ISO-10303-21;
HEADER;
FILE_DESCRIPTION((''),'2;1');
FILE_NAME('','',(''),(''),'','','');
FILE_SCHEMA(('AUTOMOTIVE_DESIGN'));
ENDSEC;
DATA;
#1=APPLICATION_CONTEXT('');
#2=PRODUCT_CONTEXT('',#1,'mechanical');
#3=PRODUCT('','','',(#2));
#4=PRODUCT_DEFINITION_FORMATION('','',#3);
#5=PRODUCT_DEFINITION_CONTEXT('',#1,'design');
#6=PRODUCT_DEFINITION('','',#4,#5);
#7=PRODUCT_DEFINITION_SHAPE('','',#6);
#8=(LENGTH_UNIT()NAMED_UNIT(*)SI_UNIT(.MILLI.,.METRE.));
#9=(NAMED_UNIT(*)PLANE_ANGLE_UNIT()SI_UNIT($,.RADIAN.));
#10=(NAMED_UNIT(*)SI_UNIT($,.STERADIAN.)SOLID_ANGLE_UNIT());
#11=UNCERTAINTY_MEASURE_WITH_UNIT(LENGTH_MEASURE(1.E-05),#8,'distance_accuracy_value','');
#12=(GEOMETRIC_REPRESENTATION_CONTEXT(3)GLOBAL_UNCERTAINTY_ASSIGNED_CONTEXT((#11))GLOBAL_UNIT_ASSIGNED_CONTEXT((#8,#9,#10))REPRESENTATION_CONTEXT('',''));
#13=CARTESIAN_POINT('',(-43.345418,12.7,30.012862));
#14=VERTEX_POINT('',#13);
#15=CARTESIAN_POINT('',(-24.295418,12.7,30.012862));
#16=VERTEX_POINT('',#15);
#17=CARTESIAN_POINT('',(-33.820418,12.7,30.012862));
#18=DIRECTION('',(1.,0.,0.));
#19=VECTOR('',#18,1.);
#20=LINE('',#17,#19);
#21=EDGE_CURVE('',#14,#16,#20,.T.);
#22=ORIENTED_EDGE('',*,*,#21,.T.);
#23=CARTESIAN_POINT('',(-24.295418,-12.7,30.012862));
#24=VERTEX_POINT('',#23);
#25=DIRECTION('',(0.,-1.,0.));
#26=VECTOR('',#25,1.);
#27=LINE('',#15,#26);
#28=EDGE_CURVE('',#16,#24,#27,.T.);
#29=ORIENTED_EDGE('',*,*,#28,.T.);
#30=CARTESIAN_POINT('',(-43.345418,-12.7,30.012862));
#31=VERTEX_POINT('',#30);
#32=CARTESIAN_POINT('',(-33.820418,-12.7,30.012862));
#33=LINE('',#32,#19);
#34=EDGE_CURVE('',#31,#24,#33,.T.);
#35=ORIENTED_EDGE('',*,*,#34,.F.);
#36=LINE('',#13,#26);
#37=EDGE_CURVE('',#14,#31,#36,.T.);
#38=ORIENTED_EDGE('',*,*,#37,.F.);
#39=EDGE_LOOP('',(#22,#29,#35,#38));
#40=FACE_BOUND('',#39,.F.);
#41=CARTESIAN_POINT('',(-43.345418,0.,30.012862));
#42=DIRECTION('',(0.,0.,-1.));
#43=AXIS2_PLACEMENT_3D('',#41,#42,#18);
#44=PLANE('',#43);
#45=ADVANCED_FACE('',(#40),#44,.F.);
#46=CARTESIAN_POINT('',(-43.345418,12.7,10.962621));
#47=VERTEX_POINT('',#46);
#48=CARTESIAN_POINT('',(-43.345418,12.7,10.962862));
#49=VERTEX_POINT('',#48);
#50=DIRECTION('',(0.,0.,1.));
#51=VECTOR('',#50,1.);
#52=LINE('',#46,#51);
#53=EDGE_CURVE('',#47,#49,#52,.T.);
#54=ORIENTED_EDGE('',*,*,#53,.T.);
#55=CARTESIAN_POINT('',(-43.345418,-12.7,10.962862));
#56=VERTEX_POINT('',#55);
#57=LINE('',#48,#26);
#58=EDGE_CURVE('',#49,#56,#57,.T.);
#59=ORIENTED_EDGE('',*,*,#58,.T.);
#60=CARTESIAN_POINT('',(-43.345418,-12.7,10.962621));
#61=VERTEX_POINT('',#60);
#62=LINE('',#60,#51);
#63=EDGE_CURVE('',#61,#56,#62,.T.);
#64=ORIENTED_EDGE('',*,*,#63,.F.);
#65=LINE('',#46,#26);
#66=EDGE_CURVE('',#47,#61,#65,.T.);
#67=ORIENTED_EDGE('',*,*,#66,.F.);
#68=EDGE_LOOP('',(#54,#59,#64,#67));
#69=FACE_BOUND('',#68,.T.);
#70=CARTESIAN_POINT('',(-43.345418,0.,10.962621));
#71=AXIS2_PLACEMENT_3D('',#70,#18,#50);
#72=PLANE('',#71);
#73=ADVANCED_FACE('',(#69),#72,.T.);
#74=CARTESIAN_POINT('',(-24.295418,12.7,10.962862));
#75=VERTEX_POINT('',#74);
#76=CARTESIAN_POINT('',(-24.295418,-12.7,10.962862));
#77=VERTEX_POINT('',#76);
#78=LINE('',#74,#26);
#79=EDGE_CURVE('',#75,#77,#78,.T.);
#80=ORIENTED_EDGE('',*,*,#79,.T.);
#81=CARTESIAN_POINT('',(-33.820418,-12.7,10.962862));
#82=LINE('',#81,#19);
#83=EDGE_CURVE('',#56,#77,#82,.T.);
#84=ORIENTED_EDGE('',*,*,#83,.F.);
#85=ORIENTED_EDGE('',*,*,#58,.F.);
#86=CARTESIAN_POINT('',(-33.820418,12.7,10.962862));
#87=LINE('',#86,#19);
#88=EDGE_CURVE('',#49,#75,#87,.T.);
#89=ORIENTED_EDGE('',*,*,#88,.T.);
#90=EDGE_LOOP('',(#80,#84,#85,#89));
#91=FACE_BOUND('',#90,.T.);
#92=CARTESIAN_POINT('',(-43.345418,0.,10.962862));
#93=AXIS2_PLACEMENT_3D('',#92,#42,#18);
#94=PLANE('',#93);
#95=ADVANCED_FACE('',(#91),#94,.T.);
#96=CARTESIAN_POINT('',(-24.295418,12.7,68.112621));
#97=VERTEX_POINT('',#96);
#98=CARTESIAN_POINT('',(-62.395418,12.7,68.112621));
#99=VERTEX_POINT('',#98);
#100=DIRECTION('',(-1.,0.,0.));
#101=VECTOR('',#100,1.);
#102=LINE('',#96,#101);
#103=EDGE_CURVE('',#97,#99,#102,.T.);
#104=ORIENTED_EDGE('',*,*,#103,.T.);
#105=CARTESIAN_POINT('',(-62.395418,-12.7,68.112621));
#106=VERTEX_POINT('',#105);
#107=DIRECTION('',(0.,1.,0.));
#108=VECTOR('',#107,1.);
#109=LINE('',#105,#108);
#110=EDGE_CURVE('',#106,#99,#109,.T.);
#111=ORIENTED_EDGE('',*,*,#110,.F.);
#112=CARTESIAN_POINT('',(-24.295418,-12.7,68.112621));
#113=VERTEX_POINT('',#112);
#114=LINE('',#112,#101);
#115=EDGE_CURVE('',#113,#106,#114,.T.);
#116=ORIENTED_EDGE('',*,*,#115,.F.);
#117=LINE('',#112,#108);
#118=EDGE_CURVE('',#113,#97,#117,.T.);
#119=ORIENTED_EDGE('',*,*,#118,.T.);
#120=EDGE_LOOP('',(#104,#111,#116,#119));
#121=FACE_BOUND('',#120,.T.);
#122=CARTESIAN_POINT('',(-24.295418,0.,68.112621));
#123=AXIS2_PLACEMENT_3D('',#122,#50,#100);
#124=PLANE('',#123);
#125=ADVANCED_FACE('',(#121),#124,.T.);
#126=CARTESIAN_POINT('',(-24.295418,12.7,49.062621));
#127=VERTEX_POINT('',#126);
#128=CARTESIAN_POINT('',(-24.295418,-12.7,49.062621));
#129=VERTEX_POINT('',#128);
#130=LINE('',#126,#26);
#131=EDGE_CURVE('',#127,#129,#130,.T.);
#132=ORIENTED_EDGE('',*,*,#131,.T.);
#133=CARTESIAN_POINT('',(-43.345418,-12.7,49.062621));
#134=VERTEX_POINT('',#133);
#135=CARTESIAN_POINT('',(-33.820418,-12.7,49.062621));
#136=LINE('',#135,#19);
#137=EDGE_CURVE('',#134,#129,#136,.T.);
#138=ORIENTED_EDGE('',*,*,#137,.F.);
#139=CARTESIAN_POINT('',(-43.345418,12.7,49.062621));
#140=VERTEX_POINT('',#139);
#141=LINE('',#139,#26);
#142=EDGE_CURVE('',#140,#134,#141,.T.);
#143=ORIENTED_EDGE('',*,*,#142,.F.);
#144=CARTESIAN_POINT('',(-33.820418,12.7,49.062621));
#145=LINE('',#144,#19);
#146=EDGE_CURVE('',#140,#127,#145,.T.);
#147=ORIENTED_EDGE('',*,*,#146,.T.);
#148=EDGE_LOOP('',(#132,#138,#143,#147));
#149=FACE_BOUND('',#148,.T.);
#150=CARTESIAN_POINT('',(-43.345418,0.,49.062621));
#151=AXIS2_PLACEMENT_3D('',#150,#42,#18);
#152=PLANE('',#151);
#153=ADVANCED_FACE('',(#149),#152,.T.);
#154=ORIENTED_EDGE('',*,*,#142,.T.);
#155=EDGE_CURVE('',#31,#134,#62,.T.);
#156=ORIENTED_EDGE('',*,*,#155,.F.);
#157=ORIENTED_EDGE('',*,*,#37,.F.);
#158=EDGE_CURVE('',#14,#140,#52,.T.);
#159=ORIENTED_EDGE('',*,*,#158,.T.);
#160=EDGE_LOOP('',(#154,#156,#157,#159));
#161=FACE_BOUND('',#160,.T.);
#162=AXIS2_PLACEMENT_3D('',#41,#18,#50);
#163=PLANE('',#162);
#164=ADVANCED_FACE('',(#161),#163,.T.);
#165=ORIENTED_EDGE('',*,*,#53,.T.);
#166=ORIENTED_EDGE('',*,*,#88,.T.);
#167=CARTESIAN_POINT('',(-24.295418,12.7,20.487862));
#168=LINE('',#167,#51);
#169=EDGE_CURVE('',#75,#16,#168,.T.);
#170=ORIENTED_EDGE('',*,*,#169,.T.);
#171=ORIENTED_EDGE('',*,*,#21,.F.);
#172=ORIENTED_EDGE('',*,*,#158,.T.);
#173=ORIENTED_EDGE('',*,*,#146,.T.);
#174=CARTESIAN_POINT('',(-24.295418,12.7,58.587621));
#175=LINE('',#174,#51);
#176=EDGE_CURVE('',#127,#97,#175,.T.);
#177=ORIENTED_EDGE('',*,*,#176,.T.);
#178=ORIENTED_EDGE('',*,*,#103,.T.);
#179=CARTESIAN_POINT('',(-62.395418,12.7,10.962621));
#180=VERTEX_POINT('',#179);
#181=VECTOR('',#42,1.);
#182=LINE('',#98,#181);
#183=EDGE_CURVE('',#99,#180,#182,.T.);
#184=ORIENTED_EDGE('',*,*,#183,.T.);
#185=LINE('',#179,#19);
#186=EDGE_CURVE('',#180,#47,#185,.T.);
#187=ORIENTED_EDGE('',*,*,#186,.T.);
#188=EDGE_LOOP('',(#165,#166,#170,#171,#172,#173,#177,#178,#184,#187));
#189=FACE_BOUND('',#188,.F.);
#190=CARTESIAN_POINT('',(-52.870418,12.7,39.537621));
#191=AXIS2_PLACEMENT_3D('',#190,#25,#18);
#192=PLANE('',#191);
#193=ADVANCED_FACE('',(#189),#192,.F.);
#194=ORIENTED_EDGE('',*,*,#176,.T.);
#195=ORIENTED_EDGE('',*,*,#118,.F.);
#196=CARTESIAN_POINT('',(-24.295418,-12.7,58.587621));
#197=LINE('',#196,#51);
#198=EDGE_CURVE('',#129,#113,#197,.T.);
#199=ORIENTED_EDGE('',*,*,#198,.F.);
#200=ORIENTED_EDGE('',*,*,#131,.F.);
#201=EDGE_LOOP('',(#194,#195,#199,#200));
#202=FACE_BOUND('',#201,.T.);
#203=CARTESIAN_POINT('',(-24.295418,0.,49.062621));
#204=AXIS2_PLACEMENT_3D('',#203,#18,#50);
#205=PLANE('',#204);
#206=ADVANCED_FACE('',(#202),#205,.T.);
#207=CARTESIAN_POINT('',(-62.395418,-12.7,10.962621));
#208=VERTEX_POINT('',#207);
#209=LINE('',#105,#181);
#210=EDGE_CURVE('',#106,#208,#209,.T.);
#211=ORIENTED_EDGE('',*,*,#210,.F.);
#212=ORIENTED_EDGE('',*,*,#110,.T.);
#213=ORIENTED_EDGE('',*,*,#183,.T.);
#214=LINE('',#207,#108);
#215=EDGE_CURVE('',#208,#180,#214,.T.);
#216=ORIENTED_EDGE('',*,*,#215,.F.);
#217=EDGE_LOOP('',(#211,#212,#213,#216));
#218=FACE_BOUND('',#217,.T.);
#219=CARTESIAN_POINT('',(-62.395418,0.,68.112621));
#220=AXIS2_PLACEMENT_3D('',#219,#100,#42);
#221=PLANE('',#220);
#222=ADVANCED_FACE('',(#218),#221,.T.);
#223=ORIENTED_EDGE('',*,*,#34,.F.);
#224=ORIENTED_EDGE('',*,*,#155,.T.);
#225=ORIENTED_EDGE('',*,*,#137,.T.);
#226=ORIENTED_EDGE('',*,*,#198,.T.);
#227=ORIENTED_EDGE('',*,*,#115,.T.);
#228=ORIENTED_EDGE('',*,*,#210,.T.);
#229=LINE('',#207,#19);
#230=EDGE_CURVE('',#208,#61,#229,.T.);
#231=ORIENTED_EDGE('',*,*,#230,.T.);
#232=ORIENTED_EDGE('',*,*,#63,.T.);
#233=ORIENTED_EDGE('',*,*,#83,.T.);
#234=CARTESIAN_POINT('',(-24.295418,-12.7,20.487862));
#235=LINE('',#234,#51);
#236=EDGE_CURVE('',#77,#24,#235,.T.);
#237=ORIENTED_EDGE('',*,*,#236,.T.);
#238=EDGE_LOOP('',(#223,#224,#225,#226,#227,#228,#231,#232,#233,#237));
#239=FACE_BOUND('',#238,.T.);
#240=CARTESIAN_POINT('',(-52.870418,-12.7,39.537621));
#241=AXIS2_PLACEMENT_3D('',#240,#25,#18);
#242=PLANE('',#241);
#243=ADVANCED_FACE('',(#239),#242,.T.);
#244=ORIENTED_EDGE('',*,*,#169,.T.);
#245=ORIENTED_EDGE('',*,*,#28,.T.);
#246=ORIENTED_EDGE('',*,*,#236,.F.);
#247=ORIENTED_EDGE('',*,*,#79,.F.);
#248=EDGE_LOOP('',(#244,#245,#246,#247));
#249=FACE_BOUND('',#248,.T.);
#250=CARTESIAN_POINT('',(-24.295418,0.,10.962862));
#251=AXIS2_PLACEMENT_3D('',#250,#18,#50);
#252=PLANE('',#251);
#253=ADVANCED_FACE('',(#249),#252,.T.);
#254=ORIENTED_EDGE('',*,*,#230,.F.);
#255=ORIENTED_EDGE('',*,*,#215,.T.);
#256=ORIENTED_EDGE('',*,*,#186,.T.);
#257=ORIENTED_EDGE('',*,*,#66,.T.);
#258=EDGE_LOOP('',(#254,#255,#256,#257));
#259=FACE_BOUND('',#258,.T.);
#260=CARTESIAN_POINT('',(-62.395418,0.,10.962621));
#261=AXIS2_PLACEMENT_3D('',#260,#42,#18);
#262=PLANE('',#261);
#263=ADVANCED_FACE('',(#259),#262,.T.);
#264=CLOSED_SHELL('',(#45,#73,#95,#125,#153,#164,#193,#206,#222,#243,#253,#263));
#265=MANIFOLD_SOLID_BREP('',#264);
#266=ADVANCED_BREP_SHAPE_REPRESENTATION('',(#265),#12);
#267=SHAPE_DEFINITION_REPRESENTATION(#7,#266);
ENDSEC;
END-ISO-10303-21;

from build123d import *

# Parameters (mm, degrees)
F0_W     = 19.05
F0_H     = 19.05
F1_DEPTH = 12.7
F2_DEPTH = 12.7


with BuildPart() as f1:
    # F0 (on Front) → F1 (new body, symmetric)
    with BuildSketch(Plane.XZ):
        Polygon((-62.395418, 10.962621), (-43.345418, 10.962621), (-43.345418, 10.962862), (-43.345418, 30.012862), (-43.345418, 49.062621), (-43.345418, 68.112621), (-62.395418, 68.112621), align=None)
        with Locations((-33.820418, 20.487862)):
            Rectangle(F0_W, F0_H)
        with Locations((-33.820418, 58.587621)):
            Rectangle(F0_W, F0_H)
    extrude(amount=F1_DEPTH, both=True)

    # F0 (on Front) → F2 (join, symmetric)
    with BuildSketch(Plane.XZ):
        Polygon((-62.395418, 10.962621), (-43.345418, 10.962621), (-43.345418, 10.962862), (-43.345418, 30.012862), (-43.345418, 49.062621), (-43.345418, 68.112621), (-62.395418, 68.112621), align=None)
        with Locations((-33.820418, 20.487862)):
            Rectangle(F0_W, F0_H)
        with Locations((-33.820418, 58.587621)):
            Rectangle(F0_W, F0_H)
    extrude(amount=F2_DEPTH, both=True)


solid = f1.part
